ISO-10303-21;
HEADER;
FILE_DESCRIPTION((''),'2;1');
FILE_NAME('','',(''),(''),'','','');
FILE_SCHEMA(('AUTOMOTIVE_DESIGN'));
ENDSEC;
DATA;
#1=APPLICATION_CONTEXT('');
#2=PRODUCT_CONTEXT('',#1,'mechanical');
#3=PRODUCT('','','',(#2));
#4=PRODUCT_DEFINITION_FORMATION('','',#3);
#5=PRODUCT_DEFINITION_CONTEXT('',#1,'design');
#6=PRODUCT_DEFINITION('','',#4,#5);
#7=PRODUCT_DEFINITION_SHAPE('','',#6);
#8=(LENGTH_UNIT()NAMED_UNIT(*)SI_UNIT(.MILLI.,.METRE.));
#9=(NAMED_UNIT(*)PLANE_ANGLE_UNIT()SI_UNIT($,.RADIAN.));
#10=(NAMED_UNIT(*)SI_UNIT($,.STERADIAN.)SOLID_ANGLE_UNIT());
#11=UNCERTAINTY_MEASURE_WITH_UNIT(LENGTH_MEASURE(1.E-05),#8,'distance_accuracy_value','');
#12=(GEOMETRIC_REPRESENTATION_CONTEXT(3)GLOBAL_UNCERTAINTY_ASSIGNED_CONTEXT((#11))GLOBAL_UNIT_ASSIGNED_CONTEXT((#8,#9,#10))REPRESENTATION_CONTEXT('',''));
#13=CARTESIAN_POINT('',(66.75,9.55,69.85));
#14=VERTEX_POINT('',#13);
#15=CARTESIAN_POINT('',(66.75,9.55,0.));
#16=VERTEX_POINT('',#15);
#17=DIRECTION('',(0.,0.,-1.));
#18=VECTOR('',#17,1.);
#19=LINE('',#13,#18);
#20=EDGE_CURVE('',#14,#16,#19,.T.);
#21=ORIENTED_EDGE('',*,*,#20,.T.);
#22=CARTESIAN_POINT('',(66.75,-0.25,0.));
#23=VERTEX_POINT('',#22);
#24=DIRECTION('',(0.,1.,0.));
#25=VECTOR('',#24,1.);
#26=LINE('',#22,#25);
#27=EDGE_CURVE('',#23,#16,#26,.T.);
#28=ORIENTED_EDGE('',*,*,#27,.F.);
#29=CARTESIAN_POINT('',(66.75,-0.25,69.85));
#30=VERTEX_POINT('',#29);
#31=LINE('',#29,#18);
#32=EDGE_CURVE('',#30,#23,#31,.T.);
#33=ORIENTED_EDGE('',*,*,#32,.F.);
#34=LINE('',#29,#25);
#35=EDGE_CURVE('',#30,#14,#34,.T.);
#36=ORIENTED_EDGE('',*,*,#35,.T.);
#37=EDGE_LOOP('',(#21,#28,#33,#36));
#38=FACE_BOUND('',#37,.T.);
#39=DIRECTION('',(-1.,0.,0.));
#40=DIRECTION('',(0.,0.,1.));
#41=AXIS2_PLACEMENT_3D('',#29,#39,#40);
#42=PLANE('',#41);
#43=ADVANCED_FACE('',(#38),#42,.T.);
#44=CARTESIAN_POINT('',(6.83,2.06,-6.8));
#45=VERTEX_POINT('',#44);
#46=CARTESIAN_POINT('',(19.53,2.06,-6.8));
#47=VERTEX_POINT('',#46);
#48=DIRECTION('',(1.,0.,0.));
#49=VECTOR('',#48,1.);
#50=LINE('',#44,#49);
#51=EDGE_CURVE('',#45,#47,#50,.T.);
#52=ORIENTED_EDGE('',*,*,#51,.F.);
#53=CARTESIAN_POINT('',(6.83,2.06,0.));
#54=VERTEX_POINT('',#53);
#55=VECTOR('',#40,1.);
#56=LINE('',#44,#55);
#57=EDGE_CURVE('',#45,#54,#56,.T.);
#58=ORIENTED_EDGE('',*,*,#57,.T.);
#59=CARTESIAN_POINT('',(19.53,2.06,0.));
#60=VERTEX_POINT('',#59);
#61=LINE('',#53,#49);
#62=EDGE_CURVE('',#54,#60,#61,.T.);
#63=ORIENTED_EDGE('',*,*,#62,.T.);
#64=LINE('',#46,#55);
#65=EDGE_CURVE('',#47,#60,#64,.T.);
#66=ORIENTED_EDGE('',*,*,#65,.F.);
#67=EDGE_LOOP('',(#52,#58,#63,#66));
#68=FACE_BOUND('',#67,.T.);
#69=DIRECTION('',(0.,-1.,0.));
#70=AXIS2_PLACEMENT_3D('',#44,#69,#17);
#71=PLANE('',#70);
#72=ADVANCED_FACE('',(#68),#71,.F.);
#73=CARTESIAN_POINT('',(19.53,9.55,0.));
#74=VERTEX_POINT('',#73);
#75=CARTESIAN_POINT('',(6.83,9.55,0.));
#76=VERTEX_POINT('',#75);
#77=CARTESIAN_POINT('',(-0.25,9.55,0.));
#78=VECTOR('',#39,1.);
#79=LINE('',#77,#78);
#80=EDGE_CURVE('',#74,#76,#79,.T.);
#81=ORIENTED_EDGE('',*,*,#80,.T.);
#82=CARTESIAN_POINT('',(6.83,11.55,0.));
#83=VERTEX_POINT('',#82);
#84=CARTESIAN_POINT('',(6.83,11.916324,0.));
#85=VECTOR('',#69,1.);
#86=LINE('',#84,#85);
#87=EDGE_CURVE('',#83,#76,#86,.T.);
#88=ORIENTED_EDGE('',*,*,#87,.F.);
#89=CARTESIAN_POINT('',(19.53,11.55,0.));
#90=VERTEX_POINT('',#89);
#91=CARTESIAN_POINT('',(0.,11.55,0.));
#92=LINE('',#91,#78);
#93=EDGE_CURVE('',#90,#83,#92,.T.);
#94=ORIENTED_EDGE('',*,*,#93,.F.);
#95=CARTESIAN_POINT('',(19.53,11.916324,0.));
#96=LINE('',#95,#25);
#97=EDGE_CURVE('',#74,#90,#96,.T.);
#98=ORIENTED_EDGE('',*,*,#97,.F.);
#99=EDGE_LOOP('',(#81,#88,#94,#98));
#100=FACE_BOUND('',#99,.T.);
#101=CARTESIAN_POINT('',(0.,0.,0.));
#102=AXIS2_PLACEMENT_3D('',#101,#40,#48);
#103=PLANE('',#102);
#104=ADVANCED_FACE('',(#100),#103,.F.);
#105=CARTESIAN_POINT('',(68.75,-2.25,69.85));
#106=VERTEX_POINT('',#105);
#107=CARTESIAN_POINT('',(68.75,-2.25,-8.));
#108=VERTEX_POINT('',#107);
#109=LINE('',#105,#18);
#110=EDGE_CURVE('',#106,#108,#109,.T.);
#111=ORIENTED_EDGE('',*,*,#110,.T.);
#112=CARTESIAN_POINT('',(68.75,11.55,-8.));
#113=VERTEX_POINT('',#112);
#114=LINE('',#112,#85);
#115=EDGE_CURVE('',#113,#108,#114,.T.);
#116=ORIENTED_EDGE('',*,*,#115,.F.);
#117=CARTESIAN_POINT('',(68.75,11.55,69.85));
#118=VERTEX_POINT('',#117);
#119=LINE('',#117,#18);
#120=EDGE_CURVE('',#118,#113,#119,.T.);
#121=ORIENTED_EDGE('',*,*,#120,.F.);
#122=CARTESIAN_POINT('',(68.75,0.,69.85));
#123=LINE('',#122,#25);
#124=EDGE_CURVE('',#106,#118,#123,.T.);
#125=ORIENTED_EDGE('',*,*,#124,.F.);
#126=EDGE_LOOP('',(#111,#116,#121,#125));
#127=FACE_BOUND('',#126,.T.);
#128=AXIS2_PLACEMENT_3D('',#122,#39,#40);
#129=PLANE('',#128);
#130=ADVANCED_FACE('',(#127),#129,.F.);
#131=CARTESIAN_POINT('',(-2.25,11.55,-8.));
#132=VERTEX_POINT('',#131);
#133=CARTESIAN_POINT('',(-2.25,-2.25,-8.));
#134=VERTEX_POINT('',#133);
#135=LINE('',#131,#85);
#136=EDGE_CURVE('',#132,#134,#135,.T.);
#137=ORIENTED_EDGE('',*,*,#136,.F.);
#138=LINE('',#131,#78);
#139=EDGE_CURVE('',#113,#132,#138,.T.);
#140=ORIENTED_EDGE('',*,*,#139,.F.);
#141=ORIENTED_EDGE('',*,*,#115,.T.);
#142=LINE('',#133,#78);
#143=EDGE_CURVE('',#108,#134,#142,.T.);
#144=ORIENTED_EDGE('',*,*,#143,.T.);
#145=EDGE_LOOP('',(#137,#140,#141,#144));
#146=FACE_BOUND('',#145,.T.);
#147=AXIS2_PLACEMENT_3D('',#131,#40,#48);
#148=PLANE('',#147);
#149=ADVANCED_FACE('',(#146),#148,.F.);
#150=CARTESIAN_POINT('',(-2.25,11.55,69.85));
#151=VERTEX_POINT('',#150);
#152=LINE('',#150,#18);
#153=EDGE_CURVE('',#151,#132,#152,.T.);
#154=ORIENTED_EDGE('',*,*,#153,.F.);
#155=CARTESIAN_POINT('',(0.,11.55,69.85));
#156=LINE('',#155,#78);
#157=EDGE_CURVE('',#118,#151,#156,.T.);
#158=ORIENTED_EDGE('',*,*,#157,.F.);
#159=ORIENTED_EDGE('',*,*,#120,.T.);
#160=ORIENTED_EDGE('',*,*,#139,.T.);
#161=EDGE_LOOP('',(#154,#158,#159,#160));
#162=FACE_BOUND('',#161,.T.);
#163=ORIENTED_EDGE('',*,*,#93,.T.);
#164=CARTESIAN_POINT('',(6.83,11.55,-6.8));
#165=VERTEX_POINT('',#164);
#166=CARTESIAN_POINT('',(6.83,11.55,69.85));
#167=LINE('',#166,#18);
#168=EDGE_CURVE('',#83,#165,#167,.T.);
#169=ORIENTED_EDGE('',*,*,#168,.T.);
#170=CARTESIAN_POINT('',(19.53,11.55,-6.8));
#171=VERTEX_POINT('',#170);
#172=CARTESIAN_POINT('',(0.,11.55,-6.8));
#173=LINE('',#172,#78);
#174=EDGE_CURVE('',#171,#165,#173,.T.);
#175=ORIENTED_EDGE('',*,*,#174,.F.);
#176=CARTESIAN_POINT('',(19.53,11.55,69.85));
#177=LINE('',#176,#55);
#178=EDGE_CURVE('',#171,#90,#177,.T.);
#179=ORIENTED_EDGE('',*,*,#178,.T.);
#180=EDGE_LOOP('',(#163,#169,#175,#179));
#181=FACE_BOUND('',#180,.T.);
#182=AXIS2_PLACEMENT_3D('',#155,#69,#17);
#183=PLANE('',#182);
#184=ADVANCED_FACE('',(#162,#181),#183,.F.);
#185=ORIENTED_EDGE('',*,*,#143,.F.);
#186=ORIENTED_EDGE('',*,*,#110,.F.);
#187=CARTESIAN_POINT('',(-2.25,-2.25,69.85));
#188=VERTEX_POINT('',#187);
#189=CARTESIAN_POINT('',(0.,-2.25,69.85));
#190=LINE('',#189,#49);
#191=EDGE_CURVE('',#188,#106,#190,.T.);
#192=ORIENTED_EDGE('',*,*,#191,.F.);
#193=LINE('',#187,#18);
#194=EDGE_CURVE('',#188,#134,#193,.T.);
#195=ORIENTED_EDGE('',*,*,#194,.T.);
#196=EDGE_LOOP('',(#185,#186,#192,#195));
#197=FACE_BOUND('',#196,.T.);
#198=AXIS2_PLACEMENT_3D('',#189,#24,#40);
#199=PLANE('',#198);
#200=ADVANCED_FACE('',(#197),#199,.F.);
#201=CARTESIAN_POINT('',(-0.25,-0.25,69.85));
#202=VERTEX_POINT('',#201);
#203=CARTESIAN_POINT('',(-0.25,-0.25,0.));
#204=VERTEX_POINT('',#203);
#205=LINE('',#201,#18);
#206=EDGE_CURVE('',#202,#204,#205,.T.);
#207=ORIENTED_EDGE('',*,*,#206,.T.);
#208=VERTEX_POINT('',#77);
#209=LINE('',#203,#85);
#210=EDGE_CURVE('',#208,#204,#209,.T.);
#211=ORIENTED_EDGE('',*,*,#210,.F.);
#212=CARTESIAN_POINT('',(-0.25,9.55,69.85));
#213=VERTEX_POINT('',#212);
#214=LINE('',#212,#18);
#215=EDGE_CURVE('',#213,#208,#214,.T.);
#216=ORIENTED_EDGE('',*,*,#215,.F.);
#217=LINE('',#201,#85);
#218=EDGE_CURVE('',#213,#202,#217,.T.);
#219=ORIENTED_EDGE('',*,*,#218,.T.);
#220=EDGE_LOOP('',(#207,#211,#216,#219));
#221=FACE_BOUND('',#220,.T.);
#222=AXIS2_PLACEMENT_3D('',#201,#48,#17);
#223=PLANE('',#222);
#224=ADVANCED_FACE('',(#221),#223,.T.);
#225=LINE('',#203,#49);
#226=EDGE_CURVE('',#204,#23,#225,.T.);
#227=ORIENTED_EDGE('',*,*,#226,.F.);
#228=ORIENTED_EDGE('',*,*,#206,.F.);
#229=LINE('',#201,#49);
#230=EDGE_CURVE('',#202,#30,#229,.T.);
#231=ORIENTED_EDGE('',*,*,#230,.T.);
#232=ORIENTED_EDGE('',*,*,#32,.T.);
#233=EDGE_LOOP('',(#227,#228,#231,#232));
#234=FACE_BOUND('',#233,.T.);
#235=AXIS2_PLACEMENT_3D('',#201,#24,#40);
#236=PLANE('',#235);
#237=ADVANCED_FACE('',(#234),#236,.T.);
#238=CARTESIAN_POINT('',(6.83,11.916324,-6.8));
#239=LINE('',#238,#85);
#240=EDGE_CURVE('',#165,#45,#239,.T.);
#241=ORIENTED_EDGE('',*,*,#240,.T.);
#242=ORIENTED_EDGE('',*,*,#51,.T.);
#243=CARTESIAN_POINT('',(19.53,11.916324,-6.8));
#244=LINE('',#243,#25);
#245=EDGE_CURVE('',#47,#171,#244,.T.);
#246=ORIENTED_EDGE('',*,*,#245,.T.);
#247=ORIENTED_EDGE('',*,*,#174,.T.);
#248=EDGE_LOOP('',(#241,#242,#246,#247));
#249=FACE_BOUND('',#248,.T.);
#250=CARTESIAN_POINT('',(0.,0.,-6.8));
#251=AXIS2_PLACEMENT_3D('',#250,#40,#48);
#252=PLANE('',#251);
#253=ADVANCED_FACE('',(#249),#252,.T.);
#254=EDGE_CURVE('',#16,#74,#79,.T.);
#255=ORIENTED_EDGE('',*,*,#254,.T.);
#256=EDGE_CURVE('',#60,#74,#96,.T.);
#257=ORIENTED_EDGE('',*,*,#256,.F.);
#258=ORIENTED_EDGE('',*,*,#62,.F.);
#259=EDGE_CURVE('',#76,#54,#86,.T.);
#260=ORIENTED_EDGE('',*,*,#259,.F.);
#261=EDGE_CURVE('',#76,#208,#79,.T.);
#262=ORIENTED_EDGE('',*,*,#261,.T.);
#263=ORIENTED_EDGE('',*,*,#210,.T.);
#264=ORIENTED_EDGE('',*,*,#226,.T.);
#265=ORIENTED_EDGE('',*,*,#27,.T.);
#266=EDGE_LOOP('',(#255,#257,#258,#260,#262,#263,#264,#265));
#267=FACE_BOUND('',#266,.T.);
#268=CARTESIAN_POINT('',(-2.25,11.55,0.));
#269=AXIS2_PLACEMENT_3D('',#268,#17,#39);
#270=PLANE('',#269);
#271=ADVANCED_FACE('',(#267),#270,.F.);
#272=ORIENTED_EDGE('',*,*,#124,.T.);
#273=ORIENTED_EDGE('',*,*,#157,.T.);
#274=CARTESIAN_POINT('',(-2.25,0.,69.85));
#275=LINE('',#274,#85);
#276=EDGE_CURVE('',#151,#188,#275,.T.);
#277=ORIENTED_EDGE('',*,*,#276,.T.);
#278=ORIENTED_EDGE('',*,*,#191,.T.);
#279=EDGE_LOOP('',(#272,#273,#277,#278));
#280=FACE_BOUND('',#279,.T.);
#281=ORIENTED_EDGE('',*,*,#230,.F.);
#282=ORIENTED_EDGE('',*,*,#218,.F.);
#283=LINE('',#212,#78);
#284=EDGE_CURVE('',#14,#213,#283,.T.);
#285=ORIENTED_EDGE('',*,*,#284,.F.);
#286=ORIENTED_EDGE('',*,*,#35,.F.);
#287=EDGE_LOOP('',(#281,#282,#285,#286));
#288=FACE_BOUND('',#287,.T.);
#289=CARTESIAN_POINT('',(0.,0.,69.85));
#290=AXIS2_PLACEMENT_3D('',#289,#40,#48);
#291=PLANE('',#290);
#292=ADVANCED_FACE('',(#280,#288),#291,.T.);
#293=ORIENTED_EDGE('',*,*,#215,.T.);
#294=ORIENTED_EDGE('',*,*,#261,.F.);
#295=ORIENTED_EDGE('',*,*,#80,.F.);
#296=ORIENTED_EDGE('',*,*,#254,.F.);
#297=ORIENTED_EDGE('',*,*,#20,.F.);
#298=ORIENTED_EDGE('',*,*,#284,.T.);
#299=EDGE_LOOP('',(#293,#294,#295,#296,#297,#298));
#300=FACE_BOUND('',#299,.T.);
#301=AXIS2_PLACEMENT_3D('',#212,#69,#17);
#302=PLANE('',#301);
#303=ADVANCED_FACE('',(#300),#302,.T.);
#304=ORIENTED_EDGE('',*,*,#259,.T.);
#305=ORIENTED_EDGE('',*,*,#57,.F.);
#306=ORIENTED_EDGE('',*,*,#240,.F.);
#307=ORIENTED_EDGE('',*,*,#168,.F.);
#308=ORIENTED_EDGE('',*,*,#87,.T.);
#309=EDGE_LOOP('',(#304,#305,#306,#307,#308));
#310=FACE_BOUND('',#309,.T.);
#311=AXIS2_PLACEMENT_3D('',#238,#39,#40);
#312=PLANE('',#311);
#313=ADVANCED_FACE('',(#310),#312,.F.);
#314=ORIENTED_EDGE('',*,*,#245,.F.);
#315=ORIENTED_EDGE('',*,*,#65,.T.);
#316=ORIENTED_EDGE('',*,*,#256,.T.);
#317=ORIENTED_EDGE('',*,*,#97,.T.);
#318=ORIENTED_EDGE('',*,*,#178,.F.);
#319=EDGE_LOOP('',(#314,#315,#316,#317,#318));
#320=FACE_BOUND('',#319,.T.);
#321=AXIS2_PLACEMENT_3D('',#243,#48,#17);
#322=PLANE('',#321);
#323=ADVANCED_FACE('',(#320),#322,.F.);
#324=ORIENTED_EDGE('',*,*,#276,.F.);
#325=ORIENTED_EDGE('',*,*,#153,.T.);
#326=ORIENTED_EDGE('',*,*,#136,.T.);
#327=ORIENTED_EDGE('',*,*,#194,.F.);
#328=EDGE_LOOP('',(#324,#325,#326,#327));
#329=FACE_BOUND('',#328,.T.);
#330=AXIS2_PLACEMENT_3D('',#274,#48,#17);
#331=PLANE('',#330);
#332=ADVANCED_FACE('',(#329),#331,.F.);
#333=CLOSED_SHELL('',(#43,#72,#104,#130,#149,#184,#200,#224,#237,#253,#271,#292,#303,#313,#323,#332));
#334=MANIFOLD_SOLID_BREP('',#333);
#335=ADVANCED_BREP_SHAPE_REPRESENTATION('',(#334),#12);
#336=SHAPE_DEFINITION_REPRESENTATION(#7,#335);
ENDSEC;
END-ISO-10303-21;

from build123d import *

# Parameters (mm, degrees)
SKETCH1_W                = 71
SKETCH1_H                = 13.8
SKETCH1_W_2              = 67
SKETCH1_H_2              = 9.8
EXTRUDE_THIN1_DEPTH      = 69.85
BOSS_EXTRUDE2_DEPTH      = 11.55
BOSS_EXTRUDE2_DEPTH_BACK = 2.25
SKETCH5_W                = 71
SKETCH5_H                = 8
SKETCH6_W                = 12.7
SKETCH6_H                = 9.856323991
CUT_EXTRUDE1_DEPTH       = 6.8


with BuildPart() as part:
    # Sketch1 → Extrude-Thin1 (new body)
    with BuildSketch(Plane.XY):
        with Locations((33.25, 4.65)):
            Rectangle(SKETCH1_W, SKETCH1_H)
        with Locations((33.25, 4.65)):
            Rectangle(SKETCH1_W_2, SKETCH1_H_2, mode=Mode.SUBTRACT)
    extrude(amount=EXTRUDE_THIN1_DEPTH)

    # Sketch5 → Boss-Extrude2 (add, two sides: drawn at the far end of the back side and taken through both)
    with BuildSketch(Plane(origin=(0, 0, 0), x_dir=(1, 0, 0), z_dir=(0, 1, 0)).offset(-BOSS_EXTRUDE2_DEPTH_BACK)):
        with Locations((33.25, 4)):
            Rectangle(SKETCH5_W, SKETCH5_H)
    extrude(amount=BOSS_EXTRUDE2_DEPTH + BOSS_EXTRUDE2_DEPTH_BACK)

    # Sketch6 → Cut-Extrude1 (cut)
    with BuildSketch(Plane.XY):
        with Locations((13.18, 6.988161996)):
            Rectangle(SKETCH6_W, SKETCH6_H)
    extrude(amount=-CUT_EXTRUDE1_DEPTH, mode=Mode.SUBTRACT)


solid = part.part
